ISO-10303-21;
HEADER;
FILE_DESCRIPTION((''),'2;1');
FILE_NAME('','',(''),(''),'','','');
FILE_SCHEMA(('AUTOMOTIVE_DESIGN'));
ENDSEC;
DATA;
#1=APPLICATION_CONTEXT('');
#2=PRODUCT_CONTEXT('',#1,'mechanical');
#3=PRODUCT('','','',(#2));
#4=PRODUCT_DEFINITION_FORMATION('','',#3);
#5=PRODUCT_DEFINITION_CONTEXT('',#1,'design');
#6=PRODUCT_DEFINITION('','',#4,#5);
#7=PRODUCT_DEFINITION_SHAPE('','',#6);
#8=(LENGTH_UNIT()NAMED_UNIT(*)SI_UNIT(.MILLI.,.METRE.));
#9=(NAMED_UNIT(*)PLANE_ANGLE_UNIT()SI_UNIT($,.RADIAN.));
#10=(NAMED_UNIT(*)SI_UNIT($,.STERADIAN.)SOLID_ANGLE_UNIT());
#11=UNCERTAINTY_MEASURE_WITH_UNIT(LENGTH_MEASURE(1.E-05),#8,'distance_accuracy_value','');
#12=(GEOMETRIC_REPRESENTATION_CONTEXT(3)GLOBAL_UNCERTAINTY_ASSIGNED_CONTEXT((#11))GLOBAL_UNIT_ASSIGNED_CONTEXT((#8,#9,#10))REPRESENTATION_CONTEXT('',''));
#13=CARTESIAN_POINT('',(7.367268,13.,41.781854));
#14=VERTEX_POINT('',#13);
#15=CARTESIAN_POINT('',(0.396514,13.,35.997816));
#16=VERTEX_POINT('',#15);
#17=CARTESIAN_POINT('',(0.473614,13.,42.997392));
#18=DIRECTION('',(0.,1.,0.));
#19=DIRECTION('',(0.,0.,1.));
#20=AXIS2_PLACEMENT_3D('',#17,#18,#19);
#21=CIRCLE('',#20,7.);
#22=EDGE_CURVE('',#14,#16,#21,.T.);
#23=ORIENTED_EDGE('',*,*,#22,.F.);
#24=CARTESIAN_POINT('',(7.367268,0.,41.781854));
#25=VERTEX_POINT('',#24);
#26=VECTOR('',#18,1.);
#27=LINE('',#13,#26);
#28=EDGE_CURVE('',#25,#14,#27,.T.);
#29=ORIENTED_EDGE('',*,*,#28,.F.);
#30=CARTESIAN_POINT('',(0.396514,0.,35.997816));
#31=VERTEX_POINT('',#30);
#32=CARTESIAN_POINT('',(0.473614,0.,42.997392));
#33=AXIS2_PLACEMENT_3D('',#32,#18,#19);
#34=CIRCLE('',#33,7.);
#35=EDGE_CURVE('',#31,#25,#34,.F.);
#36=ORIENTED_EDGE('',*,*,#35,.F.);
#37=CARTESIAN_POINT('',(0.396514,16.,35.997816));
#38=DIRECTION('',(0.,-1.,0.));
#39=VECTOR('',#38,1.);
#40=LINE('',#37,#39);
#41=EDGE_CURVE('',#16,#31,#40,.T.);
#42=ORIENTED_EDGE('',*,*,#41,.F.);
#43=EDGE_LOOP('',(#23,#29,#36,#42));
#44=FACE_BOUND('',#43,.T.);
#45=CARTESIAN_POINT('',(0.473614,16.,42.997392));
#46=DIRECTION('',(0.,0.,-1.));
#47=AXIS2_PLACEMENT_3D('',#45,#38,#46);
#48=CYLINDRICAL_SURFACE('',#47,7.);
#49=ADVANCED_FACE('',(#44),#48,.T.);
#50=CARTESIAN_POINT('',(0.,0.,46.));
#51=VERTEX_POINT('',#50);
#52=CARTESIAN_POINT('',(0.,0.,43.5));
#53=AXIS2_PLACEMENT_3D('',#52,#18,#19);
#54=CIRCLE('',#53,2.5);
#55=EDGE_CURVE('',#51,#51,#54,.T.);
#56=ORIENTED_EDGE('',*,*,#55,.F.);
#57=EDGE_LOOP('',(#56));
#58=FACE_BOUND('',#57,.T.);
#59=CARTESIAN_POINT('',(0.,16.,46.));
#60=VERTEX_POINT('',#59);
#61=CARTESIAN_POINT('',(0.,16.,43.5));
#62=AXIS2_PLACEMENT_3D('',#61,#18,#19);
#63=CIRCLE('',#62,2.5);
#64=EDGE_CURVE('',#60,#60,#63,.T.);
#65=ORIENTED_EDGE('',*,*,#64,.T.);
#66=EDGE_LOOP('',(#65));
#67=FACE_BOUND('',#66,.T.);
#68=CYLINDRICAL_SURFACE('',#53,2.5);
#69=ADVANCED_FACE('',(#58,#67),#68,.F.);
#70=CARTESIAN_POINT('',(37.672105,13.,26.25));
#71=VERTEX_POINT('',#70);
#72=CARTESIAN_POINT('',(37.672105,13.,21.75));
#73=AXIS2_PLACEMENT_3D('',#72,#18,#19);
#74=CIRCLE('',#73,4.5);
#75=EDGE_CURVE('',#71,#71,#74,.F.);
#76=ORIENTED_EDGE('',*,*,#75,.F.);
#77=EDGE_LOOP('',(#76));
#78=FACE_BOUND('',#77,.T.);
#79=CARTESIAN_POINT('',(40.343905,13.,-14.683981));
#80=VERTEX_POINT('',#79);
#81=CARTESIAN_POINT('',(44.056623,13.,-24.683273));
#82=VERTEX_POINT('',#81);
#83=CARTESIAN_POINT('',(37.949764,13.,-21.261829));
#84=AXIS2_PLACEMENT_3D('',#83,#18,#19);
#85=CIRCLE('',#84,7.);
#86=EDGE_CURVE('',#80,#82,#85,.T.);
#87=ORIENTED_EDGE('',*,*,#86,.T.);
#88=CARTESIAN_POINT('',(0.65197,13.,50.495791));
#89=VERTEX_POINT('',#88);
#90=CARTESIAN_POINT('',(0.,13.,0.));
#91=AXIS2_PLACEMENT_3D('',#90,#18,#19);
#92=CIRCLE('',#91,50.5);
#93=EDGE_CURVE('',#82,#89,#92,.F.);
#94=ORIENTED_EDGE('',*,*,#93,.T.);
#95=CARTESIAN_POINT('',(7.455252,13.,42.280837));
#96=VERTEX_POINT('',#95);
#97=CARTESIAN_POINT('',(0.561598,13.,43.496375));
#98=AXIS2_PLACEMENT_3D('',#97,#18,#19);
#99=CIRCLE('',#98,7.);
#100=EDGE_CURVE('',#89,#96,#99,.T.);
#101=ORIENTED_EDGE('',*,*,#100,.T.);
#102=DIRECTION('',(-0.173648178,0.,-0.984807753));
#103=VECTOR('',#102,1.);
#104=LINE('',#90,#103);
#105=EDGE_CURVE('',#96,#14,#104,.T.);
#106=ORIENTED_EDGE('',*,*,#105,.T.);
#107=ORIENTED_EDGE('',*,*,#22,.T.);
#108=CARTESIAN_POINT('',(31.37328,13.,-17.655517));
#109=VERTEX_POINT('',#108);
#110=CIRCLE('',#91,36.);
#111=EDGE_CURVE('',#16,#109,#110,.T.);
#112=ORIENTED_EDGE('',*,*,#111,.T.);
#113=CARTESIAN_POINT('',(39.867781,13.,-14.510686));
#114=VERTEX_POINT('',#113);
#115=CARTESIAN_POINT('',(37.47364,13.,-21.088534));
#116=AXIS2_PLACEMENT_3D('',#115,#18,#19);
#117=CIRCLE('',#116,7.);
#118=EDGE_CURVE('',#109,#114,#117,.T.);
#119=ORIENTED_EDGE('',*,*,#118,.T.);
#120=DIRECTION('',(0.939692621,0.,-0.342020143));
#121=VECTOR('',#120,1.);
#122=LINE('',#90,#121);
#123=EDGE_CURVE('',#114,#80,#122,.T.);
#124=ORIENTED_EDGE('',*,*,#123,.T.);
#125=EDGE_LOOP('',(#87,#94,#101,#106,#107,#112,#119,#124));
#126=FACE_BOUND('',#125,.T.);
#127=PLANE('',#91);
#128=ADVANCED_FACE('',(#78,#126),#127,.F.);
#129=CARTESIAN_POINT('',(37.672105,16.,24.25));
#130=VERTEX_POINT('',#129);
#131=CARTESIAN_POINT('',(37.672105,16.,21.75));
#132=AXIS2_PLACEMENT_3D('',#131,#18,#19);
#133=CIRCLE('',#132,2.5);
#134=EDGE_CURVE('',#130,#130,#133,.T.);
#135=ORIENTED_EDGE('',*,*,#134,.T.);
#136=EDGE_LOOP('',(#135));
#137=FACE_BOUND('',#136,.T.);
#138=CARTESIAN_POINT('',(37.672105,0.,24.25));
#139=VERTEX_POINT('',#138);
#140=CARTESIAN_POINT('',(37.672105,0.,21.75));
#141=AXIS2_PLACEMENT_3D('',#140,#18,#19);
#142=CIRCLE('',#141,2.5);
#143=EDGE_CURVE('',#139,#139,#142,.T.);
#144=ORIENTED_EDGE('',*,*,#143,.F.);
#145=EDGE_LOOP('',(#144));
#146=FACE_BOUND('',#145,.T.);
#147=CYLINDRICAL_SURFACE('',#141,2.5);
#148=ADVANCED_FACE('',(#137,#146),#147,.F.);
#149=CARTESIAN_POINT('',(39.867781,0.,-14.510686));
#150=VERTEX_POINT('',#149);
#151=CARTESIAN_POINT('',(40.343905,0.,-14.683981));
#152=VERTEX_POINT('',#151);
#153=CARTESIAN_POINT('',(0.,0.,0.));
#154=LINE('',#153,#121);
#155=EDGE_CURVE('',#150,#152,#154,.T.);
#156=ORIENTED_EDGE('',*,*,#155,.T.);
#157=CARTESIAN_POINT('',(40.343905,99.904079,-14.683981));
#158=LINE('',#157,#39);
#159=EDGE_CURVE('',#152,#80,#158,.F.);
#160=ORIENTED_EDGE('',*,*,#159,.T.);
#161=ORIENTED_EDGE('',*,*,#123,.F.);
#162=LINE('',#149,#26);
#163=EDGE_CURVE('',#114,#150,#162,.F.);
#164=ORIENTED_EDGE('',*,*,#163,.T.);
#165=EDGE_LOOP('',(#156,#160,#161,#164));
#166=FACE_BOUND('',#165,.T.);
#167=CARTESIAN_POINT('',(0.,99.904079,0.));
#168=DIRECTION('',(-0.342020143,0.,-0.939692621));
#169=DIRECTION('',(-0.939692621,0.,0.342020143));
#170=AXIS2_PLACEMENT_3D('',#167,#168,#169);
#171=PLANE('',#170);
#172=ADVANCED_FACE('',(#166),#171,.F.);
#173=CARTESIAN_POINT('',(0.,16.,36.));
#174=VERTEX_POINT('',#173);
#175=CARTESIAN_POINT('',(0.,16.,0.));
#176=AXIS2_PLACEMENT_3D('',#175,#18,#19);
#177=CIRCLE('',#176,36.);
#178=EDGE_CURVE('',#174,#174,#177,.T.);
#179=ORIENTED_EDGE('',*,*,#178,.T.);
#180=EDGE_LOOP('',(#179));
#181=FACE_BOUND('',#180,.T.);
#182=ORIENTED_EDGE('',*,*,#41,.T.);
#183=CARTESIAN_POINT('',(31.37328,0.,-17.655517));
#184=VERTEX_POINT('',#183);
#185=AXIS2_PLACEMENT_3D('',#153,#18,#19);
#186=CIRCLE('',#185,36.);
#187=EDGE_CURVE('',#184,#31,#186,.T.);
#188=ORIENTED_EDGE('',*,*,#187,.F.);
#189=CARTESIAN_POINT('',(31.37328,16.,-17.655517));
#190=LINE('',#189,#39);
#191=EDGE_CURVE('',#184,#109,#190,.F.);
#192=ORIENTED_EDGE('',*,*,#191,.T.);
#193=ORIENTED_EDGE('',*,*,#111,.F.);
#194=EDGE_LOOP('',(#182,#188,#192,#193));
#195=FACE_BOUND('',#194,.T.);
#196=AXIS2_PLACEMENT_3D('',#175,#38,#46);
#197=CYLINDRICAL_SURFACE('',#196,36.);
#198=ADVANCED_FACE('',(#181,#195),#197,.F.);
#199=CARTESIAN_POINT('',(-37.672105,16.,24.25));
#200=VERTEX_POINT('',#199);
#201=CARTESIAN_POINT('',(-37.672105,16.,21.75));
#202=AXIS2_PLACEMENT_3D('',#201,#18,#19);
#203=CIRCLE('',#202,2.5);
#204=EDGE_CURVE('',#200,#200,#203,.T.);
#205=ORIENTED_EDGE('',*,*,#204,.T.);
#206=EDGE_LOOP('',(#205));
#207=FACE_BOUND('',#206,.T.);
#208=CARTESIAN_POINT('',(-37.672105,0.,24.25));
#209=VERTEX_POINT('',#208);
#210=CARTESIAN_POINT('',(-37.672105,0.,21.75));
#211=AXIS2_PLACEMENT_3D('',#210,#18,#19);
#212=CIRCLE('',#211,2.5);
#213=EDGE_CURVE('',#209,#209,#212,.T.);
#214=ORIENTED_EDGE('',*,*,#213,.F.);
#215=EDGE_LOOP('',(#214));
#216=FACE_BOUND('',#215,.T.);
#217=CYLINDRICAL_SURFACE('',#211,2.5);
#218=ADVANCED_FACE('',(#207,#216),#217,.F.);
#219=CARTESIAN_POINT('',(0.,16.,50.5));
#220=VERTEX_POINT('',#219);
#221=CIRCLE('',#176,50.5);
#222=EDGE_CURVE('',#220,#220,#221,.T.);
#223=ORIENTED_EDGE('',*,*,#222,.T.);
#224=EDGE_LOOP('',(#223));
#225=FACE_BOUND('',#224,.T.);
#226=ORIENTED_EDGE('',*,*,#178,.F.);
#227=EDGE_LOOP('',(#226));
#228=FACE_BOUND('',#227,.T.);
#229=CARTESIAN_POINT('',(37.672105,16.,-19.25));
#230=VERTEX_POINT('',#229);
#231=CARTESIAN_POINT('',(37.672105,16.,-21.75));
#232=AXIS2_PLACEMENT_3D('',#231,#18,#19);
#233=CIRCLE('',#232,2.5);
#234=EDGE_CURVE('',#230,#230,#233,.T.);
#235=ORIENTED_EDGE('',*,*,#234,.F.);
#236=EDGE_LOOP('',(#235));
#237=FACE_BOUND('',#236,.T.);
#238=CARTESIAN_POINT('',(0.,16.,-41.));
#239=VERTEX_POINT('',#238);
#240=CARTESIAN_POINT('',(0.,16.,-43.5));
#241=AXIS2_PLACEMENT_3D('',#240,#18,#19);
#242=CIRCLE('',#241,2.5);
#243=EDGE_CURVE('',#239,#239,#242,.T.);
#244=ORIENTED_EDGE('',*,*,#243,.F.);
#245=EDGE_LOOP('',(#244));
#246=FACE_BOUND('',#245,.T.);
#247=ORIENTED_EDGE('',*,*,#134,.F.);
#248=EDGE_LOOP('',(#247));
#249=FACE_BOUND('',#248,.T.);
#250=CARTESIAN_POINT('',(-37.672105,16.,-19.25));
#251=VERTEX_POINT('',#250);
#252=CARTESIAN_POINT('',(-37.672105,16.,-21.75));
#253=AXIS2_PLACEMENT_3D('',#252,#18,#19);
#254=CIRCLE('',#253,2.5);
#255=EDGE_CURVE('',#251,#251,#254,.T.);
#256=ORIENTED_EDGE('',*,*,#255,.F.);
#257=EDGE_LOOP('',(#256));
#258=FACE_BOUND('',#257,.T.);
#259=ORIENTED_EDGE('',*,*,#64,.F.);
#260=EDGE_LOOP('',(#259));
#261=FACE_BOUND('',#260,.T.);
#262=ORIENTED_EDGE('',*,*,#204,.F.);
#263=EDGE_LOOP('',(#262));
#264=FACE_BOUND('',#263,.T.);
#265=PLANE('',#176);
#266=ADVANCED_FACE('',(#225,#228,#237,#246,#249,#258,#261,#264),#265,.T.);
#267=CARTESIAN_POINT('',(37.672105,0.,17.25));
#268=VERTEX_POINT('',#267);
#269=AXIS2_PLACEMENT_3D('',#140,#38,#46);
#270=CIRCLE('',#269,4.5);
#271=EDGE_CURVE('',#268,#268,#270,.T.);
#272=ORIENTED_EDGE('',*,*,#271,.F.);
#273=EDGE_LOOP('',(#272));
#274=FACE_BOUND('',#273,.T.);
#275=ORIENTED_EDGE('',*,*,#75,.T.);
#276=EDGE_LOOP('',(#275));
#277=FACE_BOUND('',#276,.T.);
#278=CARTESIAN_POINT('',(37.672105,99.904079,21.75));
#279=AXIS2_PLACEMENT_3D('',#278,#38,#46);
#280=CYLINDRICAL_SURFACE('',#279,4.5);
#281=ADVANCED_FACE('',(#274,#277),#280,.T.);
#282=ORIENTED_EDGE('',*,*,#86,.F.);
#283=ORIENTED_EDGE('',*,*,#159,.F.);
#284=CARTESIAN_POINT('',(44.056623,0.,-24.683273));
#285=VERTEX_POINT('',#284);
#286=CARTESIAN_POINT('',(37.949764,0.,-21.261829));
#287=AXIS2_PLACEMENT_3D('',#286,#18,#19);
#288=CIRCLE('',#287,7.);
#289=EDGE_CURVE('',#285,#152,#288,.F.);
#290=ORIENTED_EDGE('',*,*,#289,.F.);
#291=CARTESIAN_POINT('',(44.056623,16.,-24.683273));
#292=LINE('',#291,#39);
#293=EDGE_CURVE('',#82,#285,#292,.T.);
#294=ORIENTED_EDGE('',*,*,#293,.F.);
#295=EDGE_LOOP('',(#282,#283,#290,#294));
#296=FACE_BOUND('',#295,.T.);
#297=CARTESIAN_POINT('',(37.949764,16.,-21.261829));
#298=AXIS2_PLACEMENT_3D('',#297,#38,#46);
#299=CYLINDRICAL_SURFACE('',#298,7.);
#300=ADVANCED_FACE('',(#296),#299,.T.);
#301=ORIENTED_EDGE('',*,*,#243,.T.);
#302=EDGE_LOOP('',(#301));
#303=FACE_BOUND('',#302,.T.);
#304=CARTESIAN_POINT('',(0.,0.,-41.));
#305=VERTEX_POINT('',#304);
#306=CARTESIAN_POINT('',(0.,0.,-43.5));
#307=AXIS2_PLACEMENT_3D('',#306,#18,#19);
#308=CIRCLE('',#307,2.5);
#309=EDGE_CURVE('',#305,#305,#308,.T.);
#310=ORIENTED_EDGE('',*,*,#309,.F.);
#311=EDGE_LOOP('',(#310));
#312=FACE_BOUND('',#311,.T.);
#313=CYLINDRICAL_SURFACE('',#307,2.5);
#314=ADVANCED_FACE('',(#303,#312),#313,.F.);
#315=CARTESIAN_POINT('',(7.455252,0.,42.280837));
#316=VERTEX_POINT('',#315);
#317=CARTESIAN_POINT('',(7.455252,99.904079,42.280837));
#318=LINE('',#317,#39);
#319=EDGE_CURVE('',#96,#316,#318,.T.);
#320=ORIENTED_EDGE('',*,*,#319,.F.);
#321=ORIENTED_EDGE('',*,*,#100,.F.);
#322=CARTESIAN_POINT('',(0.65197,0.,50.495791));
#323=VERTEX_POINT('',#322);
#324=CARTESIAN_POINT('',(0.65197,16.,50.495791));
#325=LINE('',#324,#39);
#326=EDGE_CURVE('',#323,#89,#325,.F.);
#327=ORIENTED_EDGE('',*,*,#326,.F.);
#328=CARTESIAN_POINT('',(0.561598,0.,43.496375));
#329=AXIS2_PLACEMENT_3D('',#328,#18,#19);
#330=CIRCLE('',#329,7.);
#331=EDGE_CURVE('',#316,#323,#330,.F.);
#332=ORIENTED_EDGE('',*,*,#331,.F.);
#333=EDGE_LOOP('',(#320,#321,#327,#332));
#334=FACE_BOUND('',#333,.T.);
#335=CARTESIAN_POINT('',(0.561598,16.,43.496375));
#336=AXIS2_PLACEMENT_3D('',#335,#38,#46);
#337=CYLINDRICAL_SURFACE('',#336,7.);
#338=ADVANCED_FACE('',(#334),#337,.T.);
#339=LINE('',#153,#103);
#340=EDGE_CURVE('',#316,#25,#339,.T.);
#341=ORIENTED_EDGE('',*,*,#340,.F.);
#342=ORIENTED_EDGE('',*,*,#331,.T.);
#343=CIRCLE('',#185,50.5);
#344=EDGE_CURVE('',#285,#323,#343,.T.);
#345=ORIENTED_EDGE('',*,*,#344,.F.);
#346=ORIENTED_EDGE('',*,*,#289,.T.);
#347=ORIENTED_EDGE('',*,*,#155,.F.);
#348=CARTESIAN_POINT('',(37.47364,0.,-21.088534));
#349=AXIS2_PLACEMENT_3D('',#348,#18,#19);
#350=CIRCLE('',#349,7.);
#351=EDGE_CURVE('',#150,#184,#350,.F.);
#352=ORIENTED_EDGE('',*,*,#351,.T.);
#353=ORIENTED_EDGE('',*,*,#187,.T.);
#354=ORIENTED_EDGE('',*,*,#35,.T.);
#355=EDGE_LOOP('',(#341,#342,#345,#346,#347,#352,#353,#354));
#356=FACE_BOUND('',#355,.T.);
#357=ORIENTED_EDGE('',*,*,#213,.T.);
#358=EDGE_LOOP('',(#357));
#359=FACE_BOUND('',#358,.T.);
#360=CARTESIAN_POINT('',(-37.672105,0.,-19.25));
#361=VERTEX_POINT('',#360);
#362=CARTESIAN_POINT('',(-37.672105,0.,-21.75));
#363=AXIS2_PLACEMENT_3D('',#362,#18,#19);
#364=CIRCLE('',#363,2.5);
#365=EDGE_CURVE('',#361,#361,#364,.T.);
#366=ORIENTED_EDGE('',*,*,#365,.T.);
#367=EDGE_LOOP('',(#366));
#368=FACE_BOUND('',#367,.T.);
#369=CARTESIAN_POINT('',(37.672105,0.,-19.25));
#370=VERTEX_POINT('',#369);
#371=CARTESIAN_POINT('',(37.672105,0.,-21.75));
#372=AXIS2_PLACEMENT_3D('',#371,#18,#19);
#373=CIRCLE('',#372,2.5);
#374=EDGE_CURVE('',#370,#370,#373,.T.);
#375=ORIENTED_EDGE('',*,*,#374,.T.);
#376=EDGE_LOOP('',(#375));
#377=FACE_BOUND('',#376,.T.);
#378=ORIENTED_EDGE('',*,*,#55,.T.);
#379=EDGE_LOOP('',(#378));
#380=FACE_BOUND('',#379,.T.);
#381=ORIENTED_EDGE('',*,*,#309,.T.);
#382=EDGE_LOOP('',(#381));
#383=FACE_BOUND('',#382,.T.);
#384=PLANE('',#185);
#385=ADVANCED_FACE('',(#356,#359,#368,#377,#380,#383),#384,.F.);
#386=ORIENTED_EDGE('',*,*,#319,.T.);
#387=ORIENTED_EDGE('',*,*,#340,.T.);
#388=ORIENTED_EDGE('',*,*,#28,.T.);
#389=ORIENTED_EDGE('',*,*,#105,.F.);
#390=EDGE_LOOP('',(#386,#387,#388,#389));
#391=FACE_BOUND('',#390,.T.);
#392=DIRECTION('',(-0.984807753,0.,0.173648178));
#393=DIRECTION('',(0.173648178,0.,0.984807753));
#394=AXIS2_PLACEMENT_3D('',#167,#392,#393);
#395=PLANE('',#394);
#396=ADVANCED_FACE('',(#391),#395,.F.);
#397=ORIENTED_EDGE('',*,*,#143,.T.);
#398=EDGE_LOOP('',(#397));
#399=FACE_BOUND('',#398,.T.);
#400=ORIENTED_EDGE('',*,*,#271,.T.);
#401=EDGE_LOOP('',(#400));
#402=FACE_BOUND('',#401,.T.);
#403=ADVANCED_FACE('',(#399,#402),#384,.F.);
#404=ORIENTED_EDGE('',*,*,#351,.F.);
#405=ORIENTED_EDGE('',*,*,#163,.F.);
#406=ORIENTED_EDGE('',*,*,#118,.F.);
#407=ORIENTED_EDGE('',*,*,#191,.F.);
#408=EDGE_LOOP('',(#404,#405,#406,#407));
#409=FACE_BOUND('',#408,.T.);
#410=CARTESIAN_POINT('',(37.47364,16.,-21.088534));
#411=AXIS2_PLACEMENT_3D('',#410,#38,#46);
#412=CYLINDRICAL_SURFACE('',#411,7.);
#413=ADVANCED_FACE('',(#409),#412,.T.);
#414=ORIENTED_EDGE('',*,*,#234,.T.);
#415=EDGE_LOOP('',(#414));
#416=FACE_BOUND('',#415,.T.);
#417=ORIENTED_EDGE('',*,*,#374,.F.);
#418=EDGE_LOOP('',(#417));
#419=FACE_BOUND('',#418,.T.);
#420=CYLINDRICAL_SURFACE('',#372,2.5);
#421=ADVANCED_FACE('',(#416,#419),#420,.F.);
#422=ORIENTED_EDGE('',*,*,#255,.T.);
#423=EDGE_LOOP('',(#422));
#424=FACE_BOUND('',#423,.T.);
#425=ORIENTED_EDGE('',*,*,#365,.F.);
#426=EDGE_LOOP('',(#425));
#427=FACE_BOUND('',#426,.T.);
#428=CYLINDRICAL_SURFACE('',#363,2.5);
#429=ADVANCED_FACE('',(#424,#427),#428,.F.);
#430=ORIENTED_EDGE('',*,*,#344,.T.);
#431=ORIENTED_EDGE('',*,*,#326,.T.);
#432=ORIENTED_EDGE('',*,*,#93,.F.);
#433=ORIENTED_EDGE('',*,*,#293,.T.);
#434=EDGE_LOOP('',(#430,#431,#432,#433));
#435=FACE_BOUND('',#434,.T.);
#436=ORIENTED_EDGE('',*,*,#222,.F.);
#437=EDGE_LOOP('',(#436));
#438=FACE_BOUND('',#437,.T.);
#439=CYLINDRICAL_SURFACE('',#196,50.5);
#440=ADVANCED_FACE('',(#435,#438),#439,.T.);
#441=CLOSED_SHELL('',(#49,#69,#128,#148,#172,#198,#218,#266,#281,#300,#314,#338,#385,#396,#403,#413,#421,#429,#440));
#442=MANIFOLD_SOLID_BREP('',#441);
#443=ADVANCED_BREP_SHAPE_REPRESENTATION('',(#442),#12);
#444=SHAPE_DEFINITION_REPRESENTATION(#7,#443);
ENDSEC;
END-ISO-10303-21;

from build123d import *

# Parameters (mm, degrees)
SKETCH1_R           = 50.5
SKETCH1_R_2         = 36
BOSS_EXTRUDE1_DEPTH = 16
SKETCH2_R           = 2.5
CUT_EXTRUDE1_DEPTH  = 74.188113789
SKETCH3_R           = 4.5
CUT_EXTRUDE2_DEPTH  = 13
FILLET1_R           = 7


with BuildPart() as part:
    # Sketch1 → Boss-Extrude1 (new body)
    with BuildSketch(Plane(origin=(0, 0, 0), x_dir=(1, 0, 0), z_dir=(0, 1, 0))):
        with Locations(Location((0, 0, 0), (0, 0, 270))):
            Circle(SKETCH1_R)
        with Locations(Location((0, 0, 0), (0, 0, 270))):
            Circle(SKETCH1_R_2, mode=Mode.SUBTRACT)
    extrude(amount=BOSS_EXTRUDE1_DEPTH)

    # Sketch2 → Cut-Extrude1 (cut, through all)
    with BuildSketch(Plane(origin=(0, 16, 0), x_dir=(1, 0, 0), z_dir=(0, 1, 0))):
        with Locations(Location((0, 43.5, 0), (0, 0, 270))):
            Circle(SKETCH2_R)
        with Locations(Location((37.672105065, 21.75, 0), (0, 0, 270))):
            Circle(SKETCH2_R)
        with Locations(Location((37.672105065, -21.75, 0), (0, 0, 270))):
            Circle(SKETCH2_R)
        with Locations(Location((0, -43.5, 0), (0, 0, 270))):
            Circle(SKETCH2_R)
        with Locations(Location((-37.672105065, -21.75, 0), (0, 0, 270))):
            Circle(SKETCH2_R)
        with Locations(Location((-37.672105065, 21.75, 0), (0, 0, 270))):
            Circle(SKETCH2_R)
    extrude(amount=-CUT_EXTRUDE1_DEPTH, mode=Mode.SUBTRACT)

    # Sketch3 → Cut-Extrude2 (cut)
    with BuildSketch(Plane.XZ):
        with BuildLine():
            Line((0, 0), (8.769232972, 49.732791527))
            ThreePointArc((8.769232972, 49.732791527), (43.734282891, 25.25), (47.45447735, -17.272017238))
            Line((47.45447735, -17.272017238), (0, 0))
        make_face()
        with Locations(Location((37.672105065, 21.75, 0), (0, 0, 270))):
            Circle(SKETCH3_R, mode=Mode.SUBTRACT)
    extrude(amount=-CUT_EXTRUDE2_DEPTH, mode=Mode.SUBTRACT)

    # Fillet1
    fillet1_edges = [part.edges().sort_by_distance(p)[0] for p in [
        (6.251334396, 6.5, 35.453079108),
        (33.828934348, 6.5, -12.31272516),
        (47.45447735, 6.5, -17.272017238),
        (8.769232972, 6.5, 49.732791527),
    ]]
    fillet(fillet1_edges, radius=FILLET1_R)


solid = part.part
